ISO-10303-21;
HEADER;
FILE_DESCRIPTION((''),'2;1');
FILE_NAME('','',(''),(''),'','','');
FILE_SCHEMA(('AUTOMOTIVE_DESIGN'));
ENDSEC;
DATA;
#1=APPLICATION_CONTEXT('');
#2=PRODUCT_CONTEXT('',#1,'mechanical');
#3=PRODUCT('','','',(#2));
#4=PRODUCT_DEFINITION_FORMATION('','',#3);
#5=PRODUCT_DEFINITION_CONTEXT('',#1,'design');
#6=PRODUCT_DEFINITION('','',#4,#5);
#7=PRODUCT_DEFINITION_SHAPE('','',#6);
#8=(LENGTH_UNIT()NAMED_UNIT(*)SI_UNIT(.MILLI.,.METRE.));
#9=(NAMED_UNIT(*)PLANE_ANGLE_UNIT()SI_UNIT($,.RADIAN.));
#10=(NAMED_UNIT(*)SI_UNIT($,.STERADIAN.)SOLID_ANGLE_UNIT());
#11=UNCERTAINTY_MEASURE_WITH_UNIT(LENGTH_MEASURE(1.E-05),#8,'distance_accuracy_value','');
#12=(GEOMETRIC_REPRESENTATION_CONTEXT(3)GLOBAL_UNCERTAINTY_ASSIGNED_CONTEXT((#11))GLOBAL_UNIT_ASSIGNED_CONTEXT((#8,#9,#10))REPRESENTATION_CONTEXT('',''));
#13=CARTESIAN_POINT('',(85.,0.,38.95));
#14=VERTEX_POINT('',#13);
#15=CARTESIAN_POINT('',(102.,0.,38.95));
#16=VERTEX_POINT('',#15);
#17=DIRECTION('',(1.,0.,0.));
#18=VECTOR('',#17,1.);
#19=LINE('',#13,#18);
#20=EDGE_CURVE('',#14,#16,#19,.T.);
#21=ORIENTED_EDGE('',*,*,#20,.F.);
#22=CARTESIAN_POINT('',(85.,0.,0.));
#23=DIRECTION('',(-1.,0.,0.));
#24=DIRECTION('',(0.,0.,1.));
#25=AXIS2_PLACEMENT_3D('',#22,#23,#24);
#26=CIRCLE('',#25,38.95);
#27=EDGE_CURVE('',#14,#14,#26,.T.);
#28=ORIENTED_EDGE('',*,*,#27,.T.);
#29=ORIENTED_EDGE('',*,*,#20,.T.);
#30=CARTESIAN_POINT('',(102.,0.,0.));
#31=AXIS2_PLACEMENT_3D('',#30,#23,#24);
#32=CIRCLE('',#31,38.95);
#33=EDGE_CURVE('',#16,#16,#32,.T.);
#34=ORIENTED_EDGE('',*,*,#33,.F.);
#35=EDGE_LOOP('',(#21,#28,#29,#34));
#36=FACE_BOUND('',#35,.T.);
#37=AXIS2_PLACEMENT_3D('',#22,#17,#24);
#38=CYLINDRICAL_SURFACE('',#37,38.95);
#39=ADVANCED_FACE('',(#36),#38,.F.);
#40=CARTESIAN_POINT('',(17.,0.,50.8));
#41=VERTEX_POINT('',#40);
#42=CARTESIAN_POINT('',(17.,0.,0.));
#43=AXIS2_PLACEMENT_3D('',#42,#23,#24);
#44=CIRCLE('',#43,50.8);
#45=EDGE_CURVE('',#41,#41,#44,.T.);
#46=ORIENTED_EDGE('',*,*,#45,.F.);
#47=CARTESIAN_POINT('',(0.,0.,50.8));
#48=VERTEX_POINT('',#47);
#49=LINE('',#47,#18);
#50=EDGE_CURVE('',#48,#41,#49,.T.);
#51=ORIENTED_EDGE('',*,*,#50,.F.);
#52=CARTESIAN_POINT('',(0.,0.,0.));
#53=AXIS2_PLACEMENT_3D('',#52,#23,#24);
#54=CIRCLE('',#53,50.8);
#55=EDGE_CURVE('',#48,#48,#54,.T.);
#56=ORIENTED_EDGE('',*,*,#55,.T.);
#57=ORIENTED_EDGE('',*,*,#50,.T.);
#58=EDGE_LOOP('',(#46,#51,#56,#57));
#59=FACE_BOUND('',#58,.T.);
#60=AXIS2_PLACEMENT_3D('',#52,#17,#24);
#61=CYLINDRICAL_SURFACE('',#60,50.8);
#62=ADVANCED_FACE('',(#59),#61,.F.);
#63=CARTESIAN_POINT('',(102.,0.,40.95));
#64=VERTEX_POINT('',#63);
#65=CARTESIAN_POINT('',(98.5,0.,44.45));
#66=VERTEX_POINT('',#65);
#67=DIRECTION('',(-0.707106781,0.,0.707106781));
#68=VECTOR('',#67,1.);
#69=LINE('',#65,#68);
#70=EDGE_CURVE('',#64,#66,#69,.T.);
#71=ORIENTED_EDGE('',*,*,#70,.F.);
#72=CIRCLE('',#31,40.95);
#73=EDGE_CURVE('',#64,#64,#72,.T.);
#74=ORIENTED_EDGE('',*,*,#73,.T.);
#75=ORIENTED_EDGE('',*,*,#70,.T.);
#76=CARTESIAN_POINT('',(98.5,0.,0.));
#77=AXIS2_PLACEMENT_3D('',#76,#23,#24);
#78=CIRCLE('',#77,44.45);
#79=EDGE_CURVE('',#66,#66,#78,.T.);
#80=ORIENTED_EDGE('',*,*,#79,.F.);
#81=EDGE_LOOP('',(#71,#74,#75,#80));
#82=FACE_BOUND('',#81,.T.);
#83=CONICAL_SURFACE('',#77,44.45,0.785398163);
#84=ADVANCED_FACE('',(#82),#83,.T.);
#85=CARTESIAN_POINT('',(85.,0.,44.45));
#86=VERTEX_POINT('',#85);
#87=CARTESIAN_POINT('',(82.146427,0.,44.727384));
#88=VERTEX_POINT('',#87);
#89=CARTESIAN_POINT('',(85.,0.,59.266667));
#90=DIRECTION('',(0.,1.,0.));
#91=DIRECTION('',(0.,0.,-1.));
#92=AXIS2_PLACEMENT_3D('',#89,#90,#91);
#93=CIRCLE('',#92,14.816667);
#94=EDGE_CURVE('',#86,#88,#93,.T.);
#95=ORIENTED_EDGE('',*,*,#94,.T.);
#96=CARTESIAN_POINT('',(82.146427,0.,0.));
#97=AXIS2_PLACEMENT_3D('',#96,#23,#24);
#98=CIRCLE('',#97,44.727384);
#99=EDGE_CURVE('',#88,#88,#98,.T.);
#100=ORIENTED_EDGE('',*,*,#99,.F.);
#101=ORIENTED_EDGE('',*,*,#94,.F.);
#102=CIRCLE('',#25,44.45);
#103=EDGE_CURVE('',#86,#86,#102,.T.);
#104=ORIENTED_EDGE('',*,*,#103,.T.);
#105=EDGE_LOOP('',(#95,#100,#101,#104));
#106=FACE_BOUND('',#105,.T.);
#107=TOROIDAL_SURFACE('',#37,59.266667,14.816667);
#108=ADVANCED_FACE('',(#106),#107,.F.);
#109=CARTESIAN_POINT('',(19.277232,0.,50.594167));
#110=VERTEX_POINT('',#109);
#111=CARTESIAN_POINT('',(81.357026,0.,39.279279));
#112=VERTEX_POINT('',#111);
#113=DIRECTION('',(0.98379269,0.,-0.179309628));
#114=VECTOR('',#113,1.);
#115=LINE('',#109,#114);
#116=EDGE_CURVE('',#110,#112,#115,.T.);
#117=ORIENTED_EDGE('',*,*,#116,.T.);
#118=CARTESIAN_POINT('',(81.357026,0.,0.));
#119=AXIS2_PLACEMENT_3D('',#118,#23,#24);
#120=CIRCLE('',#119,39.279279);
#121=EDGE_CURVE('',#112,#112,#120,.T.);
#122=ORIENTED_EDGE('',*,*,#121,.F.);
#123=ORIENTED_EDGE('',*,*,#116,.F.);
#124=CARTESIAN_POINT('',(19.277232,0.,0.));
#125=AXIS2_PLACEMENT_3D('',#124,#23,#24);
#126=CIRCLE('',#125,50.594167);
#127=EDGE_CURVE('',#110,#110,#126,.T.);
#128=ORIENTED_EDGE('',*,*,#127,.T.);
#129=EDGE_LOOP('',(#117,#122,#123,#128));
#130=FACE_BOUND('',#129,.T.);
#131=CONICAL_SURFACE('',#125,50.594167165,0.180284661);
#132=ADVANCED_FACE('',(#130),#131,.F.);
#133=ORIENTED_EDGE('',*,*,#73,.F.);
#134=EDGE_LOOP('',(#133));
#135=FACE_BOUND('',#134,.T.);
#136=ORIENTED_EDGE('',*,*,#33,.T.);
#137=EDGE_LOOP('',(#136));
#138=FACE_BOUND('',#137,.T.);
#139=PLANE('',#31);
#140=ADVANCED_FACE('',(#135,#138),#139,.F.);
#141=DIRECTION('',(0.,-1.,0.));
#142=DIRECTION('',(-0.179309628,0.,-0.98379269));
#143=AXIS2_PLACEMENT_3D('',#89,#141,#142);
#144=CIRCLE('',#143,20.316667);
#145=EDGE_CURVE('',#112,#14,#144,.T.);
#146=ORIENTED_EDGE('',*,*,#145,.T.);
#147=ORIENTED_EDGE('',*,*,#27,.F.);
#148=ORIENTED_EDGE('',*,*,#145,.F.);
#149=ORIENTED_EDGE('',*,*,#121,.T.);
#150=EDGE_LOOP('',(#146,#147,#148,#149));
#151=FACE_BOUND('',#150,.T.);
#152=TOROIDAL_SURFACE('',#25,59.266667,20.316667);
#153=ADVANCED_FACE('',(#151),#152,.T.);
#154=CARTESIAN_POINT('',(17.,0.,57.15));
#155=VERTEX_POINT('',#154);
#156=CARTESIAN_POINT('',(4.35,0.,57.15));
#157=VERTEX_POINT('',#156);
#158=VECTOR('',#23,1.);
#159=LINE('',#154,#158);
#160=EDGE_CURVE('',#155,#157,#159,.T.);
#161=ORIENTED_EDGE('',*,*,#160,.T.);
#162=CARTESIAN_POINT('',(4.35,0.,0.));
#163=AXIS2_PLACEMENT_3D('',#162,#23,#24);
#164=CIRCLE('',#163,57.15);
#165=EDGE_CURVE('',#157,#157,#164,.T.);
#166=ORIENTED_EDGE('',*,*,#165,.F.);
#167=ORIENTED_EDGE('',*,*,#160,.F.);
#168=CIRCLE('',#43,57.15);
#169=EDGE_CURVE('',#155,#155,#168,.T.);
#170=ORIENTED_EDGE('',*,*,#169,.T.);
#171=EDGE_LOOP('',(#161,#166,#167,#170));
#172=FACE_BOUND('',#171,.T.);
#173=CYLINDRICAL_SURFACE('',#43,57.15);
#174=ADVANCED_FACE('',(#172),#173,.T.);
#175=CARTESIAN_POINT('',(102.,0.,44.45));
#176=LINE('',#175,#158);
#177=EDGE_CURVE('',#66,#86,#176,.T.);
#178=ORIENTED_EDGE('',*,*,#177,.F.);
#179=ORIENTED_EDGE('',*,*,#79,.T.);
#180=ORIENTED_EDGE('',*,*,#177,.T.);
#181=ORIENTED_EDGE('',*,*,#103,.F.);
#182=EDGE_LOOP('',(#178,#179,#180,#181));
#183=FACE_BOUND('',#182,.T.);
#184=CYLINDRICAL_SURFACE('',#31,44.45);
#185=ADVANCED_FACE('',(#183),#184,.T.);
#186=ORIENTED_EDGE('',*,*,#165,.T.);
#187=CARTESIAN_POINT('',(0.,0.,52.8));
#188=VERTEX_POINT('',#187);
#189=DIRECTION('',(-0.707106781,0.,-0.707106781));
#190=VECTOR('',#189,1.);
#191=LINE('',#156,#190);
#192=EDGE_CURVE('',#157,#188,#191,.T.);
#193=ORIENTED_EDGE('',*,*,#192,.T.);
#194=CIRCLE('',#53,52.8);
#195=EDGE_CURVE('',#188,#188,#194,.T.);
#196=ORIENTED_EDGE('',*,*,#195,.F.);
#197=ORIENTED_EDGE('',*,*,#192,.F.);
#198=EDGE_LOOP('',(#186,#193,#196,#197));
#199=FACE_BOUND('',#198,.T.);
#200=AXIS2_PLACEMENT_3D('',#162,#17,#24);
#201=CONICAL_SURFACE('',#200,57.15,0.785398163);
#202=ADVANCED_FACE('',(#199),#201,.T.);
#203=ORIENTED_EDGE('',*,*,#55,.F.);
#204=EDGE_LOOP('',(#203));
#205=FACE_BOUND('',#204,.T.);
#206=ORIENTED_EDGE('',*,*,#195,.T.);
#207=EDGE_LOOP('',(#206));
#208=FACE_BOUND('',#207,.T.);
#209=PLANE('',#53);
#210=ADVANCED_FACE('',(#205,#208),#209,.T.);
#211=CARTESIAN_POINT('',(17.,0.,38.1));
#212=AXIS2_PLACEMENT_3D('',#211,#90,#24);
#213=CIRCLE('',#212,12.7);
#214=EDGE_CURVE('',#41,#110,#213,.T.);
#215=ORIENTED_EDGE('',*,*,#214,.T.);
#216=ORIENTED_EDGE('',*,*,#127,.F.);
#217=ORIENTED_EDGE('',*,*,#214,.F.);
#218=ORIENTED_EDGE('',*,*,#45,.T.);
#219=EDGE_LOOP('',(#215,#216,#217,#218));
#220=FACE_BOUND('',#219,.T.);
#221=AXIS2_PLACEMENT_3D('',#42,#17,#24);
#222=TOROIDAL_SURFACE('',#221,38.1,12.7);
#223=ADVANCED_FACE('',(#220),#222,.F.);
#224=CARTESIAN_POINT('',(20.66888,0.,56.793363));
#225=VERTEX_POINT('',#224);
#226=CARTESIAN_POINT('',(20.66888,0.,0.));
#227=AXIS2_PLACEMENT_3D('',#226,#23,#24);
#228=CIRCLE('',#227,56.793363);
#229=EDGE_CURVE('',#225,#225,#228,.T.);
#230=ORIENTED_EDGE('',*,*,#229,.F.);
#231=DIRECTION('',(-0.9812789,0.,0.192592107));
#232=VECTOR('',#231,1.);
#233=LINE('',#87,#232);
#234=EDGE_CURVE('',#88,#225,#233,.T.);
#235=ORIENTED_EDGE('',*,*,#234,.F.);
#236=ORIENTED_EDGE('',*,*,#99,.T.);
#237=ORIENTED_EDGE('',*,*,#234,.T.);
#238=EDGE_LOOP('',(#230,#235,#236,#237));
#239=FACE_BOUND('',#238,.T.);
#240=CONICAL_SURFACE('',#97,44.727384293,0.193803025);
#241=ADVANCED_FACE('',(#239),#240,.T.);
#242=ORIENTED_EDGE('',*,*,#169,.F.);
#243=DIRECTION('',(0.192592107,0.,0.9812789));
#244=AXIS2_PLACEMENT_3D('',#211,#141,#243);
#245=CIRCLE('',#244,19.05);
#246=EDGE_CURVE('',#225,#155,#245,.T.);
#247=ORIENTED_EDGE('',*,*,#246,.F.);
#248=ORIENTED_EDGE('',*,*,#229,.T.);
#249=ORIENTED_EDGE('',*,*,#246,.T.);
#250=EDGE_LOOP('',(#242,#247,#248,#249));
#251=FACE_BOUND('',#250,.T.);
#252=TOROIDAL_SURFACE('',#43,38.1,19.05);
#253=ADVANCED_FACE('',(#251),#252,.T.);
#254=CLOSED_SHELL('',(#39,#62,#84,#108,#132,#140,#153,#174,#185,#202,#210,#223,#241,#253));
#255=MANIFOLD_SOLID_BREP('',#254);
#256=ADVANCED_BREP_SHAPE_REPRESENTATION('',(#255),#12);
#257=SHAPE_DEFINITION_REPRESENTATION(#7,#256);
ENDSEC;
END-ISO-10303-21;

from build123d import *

# Parameters (mm, degrees)
F4_SIZE = 3.5
F5_SIZE = 4.35


with BuildPart() as f3:
    # F2 (on Front) → F3 (revolve)
    with BuildSketch(Plane.XZ):
        with BuildLine():
            Line((0, 57.15), (0, 50.8))
            Line((0, 50.8), (17, 50.8))
            ThreePointArc((17, 50.8), (18.1432578461, 50.7484371168), (19.2772322795, 50.5941671649))
            Line((19.2772322795, 50.5941671649), (81.3570260515, 39.2792785118))
            ThreePointArc((81.3570260515, 39.2792785118), (83.1710875139, 39.0324870796), (85, 38.95))
            Line((85, 38.95), (102, 38.95))
            Line((102, 38.95), (102, 44.45))
            Line((102, 44.45), (85, 44.45))
            ThreePointArc((85, 44.45), (83.5664884716, 44.5195091165), (82.1464269481, 44.7273842927))
            Line((82.1464269481, 44.7273842927), (20.6688796382, 56.7933630522))
            ThreePointArc((20.6688796382, 56.7933630522), (18.8430862508, 57.0606311359), (17, 57.15))
            Line((17, 57.15), (0, 57.15))
        make_face()
    revolve(axis=Axis((51, 0, 0), (-1, 0, 0)))

    # F4
    f4_edges = [f3.edges().sort_by_distance(p)[0] for p in [
        (102, 0, -44.45),
    ]]
    chamfer(f4_edges, length=F4_SIZE)

    # F5
    f5_edges = [f3.edges().sort_by_distance(p)[0] for p in [
        (0, 0, -57.15),
    ]]
    chamfer(f5_edges, length=F5_SIZE)


solid = f3.part
